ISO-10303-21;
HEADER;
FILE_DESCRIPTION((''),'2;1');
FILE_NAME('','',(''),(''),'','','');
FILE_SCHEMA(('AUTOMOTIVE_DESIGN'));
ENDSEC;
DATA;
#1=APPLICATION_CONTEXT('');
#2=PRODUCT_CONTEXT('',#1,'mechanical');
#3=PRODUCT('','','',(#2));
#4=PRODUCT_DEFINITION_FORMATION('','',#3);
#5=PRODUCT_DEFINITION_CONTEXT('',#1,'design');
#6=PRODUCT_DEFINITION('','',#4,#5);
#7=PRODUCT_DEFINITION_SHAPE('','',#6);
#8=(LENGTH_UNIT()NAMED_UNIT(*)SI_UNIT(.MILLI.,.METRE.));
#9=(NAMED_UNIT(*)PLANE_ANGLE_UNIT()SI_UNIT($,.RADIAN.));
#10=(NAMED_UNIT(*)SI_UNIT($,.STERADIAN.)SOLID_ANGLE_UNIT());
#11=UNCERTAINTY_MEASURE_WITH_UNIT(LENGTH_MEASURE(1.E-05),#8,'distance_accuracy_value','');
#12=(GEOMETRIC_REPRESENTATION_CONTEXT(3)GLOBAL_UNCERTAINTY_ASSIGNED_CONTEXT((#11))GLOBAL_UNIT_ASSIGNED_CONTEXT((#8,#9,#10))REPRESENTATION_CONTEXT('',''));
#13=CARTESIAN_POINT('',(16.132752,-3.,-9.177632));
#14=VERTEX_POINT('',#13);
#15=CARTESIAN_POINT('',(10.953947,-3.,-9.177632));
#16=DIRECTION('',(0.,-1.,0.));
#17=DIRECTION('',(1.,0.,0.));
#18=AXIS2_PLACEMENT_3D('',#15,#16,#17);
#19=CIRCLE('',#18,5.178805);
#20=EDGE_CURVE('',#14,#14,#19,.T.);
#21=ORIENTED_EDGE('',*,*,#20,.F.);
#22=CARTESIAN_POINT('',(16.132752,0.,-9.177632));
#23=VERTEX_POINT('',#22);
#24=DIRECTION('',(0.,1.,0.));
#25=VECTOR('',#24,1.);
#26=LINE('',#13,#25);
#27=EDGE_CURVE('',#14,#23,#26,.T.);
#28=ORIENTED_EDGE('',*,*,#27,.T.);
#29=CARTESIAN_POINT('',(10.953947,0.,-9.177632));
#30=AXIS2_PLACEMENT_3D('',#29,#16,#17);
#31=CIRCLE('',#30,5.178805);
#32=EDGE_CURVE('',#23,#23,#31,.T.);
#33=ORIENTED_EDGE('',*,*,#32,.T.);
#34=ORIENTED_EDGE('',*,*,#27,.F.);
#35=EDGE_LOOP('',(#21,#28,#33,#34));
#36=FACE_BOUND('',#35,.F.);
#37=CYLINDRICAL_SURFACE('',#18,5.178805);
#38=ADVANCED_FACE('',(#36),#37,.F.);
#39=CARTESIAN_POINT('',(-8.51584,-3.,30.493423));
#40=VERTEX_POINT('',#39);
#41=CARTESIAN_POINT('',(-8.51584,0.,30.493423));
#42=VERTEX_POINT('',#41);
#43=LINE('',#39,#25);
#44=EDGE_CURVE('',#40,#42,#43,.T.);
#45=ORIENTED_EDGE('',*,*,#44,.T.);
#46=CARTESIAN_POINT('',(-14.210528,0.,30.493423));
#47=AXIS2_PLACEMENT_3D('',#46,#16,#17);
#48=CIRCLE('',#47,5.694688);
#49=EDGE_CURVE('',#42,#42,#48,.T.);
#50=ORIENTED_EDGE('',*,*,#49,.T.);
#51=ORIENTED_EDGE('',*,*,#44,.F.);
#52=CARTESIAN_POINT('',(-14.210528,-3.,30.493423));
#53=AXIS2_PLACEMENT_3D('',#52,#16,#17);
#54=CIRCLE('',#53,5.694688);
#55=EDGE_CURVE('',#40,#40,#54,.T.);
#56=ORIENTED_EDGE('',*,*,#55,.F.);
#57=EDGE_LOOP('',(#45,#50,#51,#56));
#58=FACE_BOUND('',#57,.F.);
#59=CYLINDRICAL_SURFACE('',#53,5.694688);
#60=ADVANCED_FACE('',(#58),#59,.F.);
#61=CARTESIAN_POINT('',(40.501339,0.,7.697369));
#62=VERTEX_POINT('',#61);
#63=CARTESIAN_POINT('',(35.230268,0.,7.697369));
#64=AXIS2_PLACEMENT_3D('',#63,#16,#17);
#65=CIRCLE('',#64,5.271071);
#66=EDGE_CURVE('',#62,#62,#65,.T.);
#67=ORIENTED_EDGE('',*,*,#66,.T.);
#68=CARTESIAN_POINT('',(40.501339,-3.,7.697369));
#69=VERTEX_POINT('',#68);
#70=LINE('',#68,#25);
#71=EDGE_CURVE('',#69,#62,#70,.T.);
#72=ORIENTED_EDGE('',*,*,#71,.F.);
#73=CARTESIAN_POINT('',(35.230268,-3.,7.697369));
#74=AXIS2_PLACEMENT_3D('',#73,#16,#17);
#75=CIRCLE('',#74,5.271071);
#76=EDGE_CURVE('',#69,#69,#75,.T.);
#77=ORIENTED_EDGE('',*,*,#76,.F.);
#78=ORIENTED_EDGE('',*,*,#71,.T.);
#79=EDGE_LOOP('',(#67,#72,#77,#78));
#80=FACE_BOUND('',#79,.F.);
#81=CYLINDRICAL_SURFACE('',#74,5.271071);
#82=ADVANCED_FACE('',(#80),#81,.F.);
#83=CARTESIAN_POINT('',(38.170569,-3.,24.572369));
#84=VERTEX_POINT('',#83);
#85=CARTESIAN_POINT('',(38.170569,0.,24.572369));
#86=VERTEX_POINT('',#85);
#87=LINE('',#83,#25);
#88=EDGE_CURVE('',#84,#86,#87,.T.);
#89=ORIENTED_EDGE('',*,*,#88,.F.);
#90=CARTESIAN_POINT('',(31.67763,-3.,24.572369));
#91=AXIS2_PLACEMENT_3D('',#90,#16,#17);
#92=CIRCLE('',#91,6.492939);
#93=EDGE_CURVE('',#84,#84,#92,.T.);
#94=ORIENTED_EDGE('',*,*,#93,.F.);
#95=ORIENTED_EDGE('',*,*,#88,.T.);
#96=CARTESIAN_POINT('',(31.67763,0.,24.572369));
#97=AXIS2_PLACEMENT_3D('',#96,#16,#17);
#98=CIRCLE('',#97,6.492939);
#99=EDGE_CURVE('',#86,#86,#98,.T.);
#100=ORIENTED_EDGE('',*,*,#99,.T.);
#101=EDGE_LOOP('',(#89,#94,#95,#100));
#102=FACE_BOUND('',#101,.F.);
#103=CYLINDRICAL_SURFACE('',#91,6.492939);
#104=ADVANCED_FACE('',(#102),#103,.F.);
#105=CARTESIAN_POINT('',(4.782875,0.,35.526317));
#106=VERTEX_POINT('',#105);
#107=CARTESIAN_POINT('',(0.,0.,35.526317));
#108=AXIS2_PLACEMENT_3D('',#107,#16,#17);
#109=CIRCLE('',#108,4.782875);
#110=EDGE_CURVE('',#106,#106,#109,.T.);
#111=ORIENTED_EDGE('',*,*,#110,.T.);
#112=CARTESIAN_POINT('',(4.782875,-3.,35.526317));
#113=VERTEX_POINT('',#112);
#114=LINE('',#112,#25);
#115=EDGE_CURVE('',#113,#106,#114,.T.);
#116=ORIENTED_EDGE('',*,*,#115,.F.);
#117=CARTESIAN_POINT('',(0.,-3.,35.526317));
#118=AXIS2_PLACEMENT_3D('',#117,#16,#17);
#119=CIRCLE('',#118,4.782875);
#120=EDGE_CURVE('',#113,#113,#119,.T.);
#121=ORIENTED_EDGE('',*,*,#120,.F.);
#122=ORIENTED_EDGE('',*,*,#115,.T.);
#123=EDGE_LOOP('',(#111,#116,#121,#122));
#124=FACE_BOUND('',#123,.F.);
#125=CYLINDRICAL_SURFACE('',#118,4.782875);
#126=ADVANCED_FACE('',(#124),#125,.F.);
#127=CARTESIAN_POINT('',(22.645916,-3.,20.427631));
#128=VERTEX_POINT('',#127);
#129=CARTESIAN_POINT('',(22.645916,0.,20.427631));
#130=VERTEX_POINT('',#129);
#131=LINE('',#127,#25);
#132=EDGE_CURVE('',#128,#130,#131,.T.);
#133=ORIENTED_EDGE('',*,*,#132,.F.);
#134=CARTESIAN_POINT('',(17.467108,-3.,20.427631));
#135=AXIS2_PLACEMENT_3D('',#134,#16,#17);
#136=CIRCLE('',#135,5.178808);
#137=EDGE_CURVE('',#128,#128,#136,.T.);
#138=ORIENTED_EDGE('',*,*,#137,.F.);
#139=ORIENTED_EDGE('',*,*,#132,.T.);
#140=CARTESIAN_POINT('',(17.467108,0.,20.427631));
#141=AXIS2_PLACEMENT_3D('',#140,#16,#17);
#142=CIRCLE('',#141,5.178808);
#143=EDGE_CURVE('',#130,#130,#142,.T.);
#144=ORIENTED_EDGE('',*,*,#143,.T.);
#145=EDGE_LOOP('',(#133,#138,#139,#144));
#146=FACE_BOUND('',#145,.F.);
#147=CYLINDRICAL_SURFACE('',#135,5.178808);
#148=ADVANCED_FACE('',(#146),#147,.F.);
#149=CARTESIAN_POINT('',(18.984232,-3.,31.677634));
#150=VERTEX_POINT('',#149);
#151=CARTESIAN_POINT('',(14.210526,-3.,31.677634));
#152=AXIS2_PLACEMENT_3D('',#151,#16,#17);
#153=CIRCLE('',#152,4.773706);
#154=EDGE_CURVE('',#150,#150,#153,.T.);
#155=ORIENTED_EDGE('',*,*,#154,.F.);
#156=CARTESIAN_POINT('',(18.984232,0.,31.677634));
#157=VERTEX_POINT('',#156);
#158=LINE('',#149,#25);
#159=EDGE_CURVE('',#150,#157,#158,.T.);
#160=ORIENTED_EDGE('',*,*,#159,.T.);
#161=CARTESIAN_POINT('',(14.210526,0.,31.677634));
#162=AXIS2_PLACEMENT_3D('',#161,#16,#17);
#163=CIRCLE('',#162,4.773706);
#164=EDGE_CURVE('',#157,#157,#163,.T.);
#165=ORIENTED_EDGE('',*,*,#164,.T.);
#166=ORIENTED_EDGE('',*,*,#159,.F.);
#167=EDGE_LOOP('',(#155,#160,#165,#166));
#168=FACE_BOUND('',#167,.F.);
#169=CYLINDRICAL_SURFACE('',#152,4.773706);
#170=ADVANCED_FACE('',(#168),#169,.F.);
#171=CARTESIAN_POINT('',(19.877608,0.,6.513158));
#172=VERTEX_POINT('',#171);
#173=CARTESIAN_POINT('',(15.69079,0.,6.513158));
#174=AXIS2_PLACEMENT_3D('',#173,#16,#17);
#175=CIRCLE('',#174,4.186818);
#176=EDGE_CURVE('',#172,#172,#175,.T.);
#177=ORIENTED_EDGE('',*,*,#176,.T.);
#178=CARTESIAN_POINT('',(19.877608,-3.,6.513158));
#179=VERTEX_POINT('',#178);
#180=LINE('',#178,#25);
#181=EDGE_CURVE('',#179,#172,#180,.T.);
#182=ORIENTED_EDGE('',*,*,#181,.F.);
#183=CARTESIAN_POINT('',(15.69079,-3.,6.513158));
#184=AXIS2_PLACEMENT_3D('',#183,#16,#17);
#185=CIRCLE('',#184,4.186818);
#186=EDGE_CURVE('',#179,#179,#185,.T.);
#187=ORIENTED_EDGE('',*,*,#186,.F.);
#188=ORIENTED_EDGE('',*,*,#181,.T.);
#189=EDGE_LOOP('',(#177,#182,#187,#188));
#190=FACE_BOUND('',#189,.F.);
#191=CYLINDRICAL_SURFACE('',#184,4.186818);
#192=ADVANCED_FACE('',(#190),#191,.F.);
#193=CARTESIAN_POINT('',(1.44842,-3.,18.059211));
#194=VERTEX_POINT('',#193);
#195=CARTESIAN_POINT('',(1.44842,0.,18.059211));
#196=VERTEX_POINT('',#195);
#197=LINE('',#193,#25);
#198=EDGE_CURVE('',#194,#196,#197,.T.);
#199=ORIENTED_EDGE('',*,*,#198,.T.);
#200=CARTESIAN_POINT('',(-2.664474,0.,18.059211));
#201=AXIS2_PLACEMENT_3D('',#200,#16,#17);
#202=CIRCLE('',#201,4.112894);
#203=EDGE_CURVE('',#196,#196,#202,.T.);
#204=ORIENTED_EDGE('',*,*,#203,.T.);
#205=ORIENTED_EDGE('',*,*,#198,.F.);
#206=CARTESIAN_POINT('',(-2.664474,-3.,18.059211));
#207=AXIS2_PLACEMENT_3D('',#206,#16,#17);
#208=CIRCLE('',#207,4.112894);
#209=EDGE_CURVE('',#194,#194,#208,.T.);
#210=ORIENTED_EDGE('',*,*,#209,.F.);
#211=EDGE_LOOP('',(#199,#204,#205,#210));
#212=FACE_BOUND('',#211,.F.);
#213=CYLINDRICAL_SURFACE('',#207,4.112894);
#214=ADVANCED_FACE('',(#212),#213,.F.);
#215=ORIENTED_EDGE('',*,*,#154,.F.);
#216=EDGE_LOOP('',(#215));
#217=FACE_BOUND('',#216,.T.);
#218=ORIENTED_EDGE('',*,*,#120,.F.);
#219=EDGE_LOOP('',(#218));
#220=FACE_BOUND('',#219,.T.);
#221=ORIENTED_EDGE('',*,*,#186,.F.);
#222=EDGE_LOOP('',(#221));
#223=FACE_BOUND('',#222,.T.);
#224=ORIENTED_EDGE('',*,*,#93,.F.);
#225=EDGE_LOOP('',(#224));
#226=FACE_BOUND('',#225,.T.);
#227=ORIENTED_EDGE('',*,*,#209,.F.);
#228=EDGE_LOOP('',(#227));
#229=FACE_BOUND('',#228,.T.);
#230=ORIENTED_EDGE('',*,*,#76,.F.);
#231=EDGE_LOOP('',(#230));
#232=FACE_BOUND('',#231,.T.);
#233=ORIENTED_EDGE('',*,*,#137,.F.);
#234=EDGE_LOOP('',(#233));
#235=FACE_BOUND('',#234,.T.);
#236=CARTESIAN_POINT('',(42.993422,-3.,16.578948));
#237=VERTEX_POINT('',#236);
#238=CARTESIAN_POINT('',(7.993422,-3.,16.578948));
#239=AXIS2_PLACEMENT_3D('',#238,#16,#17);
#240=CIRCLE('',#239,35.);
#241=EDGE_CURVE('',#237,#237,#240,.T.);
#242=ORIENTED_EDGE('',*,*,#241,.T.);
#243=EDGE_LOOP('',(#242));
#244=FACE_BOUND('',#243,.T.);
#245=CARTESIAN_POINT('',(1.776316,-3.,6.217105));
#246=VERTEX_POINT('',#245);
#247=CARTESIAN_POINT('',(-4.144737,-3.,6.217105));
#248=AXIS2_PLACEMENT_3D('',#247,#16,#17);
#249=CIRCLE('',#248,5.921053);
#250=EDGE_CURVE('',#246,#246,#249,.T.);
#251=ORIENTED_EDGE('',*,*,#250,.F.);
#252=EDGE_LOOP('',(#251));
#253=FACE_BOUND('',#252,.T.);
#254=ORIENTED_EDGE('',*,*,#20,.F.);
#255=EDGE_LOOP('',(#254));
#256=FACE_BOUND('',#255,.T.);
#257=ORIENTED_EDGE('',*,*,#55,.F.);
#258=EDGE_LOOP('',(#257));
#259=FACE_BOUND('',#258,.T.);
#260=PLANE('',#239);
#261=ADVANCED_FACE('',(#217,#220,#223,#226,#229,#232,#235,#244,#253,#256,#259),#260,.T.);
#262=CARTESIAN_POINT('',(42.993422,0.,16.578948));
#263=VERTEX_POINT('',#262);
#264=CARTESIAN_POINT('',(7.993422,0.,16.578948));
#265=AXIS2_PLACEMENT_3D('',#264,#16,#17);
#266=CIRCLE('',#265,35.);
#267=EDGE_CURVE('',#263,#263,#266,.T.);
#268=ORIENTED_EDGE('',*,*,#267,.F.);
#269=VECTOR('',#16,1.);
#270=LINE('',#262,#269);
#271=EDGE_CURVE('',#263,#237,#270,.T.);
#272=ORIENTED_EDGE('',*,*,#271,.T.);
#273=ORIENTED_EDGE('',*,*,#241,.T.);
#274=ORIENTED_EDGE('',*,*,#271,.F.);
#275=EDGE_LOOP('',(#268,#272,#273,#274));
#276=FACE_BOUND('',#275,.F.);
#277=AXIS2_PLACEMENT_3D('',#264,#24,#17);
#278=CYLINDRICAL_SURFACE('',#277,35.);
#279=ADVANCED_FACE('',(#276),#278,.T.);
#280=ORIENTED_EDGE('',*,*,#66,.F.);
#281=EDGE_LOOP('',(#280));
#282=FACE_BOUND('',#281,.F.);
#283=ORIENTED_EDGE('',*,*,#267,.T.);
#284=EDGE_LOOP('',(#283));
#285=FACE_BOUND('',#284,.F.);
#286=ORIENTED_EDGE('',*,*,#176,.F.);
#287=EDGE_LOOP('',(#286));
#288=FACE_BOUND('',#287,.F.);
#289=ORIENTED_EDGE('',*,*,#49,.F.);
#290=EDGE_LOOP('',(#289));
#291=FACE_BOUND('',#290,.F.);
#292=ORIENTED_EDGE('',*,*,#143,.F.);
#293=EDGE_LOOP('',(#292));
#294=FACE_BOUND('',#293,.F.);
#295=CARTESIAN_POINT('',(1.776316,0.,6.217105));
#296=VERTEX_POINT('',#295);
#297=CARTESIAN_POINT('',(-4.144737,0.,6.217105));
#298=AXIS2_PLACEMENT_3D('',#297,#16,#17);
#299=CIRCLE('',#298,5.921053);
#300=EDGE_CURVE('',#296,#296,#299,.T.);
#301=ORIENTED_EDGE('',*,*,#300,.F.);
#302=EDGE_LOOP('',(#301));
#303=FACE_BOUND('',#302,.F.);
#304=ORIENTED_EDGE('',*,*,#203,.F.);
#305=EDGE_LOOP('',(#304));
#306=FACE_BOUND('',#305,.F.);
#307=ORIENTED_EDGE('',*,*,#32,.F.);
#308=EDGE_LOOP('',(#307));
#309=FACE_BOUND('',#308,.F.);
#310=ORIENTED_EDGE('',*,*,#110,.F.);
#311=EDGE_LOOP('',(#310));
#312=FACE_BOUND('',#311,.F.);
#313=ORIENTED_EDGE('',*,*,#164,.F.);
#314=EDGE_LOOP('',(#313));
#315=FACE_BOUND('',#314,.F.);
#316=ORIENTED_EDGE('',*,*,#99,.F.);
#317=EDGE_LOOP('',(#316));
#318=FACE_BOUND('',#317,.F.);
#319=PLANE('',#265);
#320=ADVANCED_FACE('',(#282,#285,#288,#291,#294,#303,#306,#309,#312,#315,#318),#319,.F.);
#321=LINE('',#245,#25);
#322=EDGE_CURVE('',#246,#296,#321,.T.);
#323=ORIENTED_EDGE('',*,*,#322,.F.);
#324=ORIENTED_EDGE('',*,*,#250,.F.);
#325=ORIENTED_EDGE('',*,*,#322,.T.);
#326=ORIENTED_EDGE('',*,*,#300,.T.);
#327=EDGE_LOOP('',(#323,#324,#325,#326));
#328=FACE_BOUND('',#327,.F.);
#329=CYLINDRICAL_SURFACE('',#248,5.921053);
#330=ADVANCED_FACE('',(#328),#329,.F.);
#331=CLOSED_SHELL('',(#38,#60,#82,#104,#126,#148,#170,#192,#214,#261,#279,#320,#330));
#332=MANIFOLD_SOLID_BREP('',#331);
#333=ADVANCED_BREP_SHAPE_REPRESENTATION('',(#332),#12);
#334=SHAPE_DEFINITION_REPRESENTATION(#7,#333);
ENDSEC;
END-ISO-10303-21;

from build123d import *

# Parameters (mm, degrees)
F0_R     = 35
F1_DEPTH = 3
F2_R     = 4.782875
F2_R_2   = 6.492939
F2_R_3   = 4.112894
F2_R_4   = 4.186818
F2_R_5   = 4.773706
F2_R_6   = 5.921053
F2_R_7   = 5.694688
F2_R_8   = 5.271071
F2_R_9   = 5.178805
F2_R_10  = 5.178808
F3_DEPTH = 25


with BuildPart() as f1:
    # F0 (on Front) → F1 (new body)
    with BuildSketch(Plane.XZ):
        with Locations((7.993422, 16.578948)):
            Circle(F0_R)
    extrude(amount=F1_DEPTH)

    # F2 (on face) → F3 (cut)
    with BuildSketch(Plane.XZ.offset(3)):
        with Locations((0, 35.526317)):
            Circle(F2_R)
        with Locations((31.67763, 24.572369)):
            Circle(F2_R_2)
        with Locations((-2.664474, 18.059211)):
            Circle(F2_R_3)
        with Locations((15.69079, 6.513158)):
            Circle(F2_R_4)
        with Locations((14.210526, 31.677634)):
            Circle(F2_R_5)
        with Locations((-4.144737, 6.217105)):
            Circle(F2_R_6)
        with Locations((-14.210528, 30.493423)):
            Circle(F2_R_7)
        with Locations((35.230268, 7.697369)):
            Circle(F2_R_8)
        with Locations((10.953947, -9.177632)):
            Circle(F2_R_9)
        with Locations((17.467108, 20.427631)):
            Circle(F2_R_10)
    extrude(amount=-F3_DEPTH, mode=Mode.SUBTRACT)


solid = f1.part
